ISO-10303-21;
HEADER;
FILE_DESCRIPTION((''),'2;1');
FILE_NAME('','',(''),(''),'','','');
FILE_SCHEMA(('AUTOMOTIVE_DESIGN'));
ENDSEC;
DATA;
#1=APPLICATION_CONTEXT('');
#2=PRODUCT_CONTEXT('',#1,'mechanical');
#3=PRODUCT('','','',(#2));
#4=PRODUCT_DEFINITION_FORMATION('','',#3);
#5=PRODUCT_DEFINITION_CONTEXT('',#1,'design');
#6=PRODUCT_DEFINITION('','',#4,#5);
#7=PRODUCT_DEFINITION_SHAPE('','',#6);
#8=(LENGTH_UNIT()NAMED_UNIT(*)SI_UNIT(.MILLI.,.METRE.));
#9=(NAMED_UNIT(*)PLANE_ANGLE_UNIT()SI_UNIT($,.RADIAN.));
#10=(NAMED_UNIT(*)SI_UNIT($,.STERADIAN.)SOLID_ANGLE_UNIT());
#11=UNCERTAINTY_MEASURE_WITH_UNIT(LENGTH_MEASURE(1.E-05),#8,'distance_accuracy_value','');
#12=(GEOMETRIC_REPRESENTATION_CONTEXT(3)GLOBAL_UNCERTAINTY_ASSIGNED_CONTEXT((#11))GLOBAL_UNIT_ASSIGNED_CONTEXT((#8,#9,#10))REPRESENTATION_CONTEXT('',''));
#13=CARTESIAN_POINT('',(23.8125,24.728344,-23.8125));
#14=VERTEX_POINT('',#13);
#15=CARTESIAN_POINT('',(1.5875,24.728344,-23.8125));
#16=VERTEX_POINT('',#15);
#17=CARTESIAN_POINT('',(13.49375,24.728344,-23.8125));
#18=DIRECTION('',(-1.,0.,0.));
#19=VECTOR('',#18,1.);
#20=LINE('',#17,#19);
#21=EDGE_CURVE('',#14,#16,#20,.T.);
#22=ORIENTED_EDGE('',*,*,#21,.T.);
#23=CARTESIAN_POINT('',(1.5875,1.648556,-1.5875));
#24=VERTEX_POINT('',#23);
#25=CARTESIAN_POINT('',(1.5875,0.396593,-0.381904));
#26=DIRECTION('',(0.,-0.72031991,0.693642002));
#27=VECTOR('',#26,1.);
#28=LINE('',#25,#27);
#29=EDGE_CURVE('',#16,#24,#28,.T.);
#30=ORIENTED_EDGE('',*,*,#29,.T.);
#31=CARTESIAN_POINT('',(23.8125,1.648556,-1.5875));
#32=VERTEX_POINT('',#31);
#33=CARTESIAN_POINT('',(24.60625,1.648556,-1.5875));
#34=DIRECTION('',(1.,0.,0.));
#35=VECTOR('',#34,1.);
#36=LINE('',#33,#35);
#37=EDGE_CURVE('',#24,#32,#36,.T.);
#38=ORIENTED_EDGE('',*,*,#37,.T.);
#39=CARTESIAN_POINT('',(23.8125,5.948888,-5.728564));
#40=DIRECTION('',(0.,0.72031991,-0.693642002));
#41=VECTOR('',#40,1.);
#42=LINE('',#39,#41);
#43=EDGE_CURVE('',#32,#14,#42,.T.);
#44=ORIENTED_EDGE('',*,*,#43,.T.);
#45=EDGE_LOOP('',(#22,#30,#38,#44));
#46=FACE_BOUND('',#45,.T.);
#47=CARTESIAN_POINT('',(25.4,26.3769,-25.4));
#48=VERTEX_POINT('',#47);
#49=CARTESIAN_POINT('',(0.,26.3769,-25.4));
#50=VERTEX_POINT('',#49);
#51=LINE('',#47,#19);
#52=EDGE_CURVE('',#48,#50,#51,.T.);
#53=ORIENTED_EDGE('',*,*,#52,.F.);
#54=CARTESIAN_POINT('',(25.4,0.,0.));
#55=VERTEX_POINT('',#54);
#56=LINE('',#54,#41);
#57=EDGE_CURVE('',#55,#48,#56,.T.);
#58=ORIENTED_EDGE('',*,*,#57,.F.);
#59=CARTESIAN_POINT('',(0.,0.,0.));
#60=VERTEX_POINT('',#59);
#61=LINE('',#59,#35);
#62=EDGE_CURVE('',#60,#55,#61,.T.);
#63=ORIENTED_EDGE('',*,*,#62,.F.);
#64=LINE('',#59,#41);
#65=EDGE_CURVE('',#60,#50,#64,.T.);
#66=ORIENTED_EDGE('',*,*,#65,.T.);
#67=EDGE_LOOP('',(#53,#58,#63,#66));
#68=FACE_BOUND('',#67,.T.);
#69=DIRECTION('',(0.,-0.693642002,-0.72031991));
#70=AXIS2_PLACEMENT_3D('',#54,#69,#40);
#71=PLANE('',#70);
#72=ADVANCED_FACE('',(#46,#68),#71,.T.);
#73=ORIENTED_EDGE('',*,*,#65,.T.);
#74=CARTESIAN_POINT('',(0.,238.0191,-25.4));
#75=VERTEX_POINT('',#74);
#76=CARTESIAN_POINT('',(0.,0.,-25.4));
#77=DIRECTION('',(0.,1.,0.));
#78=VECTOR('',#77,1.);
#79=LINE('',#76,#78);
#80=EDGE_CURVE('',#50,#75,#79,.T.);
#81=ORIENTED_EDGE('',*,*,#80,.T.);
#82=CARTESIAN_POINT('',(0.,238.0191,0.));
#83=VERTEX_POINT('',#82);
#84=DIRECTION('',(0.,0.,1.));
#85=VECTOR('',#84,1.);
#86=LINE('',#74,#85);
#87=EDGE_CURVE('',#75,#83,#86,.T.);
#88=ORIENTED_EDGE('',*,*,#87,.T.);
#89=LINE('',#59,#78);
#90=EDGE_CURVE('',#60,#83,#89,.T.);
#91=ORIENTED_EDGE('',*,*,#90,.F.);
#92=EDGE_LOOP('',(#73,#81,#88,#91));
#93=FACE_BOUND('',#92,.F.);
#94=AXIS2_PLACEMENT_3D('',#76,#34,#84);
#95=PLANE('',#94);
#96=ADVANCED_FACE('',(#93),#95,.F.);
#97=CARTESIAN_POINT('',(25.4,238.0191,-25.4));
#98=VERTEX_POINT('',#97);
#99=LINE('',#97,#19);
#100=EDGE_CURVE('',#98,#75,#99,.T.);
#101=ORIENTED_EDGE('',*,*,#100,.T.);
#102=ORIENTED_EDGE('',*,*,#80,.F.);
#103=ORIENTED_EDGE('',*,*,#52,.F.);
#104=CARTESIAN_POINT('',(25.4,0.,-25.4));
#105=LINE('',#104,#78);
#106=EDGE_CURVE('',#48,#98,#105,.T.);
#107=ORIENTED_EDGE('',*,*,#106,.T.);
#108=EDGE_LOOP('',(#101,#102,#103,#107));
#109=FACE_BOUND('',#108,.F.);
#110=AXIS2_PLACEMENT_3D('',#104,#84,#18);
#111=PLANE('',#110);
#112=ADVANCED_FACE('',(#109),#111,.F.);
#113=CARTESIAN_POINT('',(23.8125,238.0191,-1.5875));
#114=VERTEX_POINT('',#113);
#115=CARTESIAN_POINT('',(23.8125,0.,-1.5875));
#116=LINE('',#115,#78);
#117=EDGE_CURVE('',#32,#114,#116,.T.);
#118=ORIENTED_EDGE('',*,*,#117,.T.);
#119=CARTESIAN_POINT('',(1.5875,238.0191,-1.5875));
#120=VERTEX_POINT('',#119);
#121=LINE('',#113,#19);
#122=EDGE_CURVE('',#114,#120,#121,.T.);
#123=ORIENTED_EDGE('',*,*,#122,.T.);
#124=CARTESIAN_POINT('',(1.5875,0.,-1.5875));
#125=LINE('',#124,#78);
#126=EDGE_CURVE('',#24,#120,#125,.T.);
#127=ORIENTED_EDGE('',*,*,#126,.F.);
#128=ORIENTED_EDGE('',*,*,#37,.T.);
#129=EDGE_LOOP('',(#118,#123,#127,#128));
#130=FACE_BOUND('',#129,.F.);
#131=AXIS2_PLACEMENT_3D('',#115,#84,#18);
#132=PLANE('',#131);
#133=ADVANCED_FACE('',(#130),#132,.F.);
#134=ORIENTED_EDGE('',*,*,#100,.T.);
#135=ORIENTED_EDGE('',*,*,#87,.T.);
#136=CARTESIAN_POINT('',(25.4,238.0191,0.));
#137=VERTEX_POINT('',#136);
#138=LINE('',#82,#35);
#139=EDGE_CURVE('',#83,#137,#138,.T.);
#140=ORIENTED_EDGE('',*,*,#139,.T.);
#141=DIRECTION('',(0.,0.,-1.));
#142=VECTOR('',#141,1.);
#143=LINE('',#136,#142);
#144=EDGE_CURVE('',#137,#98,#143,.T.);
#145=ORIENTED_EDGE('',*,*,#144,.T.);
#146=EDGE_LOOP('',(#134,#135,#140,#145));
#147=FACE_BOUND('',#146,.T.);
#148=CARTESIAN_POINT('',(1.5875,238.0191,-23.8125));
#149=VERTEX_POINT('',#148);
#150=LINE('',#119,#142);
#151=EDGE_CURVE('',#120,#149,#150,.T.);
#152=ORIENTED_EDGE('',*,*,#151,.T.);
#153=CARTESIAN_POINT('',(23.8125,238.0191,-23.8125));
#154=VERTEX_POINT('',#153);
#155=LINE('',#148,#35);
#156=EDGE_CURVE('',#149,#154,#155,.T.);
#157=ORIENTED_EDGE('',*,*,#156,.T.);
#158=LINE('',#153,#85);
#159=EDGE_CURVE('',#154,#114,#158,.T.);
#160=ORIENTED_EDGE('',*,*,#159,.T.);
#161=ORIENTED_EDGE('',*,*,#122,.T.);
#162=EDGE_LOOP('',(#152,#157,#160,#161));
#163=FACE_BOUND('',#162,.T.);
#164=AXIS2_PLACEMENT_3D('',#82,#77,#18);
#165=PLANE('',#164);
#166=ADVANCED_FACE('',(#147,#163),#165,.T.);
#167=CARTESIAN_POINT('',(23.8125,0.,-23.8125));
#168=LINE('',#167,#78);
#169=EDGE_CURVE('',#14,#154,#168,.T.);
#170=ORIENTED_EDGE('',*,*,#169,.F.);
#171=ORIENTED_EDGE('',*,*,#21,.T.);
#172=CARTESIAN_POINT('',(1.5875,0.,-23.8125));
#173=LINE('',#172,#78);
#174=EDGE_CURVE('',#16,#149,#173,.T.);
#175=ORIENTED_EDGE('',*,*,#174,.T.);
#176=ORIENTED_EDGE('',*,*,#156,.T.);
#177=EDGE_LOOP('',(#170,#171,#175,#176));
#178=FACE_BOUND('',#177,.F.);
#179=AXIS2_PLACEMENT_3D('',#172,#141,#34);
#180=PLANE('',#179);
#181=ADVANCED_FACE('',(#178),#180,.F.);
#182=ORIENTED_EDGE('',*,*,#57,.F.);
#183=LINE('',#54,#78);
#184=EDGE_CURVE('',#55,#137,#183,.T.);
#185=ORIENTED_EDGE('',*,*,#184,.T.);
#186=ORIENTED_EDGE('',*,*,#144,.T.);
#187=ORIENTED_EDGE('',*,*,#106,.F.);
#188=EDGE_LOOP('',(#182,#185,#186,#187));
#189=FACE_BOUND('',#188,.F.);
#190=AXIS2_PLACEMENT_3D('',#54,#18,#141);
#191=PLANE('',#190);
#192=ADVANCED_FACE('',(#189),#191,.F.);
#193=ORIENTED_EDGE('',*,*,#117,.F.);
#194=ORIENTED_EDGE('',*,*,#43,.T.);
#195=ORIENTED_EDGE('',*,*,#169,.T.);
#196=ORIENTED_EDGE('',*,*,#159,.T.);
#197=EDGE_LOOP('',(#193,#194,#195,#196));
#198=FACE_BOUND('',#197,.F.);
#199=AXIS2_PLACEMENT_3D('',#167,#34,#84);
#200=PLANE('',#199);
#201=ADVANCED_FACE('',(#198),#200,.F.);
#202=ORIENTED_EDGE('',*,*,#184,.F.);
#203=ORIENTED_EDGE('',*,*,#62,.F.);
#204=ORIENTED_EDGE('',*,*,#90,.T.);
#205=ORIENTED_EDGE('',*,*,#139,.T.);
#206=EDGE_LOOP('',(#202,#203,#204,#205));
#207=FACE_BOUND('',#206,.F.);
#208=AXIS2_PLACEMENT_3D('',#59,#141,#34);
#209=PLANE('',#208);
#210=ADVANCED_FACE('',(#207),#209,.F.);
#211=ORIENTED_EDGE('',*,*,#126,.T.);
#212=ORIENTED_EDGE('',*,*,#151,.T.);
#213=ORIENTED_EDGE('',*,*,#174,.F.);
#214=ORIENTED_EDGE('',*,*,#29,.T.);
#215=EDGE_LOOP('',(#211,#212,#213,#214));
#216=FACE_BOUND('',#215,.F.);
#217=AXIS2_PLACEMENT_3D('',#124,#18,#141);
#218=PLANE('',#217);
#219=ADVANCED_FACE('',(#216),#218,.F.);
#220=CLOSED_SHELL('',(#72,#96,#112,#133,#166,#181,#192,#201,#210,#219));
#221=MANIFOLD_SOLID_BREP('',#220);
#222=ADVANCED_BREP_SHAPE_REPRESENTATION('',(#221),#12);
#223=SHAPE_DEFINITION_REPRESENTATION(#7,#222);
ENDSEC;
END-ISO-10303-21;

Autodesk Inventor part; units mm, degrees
ref_plane "YZ Plane" through (0, 0, 0) normal (1, 0, 0) x (0, 1, 0)
ref_plane "XZ Plane" through (0, 0, 0) normal (0, 1, 0) x (-1, 0, 0)
ref_plane "XY Plane" through (0, 0, 0) normal (0, 0, 1) x (1, 0, 0)
sketch "Sketch1" plane through (0, 0, 0) normal (0, 1, 0) x (-1, 0, 0)
  line L0 (0, 0) -> (-25.4, 0)
  line L1 (-25.4, 0) -> (-25.4, -25.4)
  line L2 (-25.4, -25.4) -> (0, -25.4)
  line L3 (0, -25.4) -> (0, 0)
  line L4 (-23.8125, -23.8125) -> (-23.8125, -1.5875)
  line L5 (-23.8125, -1.5875) -> (-1.5875, -1.5875)
  line L6 (-1.5875, -1.5875) -> (-1.5875, -23.8125)
  line L7 (-1.5875, -23.8125) -> (-23.8125, -23.8125)
  dimension "d0" = 25.4
  dimension "d1" = 25.4
  dimension "d2" = 1.5875
extrude "Extrusion1" add sketch "Sketch1" along normal blind 238.0191
sketch "Sketch2" plane through (25.4, 0, 0) normal (1, 0, 0) x (0, 0, -1)
  line L0 (0, 0) -> (0, 238.0191) projected
  line L1 (0, 0) -> (25.4, 26.3769)
  line L2 (25.4, 0) -> (25.4, 238.0191) projected
  line L3 (0, 0) -> (25.4, 0) projected
  line L4 (25.4, 26.3769) -> (25.4, 0)
  line L5 (25.4, 0) -> (0, 0)
  dimension "d5" = 43.919
extrude "Extrusion2" cut sketch "Sketch2" against normal blind 25.4
properties part number "frontrollcage" material "Aluminum 6061"
